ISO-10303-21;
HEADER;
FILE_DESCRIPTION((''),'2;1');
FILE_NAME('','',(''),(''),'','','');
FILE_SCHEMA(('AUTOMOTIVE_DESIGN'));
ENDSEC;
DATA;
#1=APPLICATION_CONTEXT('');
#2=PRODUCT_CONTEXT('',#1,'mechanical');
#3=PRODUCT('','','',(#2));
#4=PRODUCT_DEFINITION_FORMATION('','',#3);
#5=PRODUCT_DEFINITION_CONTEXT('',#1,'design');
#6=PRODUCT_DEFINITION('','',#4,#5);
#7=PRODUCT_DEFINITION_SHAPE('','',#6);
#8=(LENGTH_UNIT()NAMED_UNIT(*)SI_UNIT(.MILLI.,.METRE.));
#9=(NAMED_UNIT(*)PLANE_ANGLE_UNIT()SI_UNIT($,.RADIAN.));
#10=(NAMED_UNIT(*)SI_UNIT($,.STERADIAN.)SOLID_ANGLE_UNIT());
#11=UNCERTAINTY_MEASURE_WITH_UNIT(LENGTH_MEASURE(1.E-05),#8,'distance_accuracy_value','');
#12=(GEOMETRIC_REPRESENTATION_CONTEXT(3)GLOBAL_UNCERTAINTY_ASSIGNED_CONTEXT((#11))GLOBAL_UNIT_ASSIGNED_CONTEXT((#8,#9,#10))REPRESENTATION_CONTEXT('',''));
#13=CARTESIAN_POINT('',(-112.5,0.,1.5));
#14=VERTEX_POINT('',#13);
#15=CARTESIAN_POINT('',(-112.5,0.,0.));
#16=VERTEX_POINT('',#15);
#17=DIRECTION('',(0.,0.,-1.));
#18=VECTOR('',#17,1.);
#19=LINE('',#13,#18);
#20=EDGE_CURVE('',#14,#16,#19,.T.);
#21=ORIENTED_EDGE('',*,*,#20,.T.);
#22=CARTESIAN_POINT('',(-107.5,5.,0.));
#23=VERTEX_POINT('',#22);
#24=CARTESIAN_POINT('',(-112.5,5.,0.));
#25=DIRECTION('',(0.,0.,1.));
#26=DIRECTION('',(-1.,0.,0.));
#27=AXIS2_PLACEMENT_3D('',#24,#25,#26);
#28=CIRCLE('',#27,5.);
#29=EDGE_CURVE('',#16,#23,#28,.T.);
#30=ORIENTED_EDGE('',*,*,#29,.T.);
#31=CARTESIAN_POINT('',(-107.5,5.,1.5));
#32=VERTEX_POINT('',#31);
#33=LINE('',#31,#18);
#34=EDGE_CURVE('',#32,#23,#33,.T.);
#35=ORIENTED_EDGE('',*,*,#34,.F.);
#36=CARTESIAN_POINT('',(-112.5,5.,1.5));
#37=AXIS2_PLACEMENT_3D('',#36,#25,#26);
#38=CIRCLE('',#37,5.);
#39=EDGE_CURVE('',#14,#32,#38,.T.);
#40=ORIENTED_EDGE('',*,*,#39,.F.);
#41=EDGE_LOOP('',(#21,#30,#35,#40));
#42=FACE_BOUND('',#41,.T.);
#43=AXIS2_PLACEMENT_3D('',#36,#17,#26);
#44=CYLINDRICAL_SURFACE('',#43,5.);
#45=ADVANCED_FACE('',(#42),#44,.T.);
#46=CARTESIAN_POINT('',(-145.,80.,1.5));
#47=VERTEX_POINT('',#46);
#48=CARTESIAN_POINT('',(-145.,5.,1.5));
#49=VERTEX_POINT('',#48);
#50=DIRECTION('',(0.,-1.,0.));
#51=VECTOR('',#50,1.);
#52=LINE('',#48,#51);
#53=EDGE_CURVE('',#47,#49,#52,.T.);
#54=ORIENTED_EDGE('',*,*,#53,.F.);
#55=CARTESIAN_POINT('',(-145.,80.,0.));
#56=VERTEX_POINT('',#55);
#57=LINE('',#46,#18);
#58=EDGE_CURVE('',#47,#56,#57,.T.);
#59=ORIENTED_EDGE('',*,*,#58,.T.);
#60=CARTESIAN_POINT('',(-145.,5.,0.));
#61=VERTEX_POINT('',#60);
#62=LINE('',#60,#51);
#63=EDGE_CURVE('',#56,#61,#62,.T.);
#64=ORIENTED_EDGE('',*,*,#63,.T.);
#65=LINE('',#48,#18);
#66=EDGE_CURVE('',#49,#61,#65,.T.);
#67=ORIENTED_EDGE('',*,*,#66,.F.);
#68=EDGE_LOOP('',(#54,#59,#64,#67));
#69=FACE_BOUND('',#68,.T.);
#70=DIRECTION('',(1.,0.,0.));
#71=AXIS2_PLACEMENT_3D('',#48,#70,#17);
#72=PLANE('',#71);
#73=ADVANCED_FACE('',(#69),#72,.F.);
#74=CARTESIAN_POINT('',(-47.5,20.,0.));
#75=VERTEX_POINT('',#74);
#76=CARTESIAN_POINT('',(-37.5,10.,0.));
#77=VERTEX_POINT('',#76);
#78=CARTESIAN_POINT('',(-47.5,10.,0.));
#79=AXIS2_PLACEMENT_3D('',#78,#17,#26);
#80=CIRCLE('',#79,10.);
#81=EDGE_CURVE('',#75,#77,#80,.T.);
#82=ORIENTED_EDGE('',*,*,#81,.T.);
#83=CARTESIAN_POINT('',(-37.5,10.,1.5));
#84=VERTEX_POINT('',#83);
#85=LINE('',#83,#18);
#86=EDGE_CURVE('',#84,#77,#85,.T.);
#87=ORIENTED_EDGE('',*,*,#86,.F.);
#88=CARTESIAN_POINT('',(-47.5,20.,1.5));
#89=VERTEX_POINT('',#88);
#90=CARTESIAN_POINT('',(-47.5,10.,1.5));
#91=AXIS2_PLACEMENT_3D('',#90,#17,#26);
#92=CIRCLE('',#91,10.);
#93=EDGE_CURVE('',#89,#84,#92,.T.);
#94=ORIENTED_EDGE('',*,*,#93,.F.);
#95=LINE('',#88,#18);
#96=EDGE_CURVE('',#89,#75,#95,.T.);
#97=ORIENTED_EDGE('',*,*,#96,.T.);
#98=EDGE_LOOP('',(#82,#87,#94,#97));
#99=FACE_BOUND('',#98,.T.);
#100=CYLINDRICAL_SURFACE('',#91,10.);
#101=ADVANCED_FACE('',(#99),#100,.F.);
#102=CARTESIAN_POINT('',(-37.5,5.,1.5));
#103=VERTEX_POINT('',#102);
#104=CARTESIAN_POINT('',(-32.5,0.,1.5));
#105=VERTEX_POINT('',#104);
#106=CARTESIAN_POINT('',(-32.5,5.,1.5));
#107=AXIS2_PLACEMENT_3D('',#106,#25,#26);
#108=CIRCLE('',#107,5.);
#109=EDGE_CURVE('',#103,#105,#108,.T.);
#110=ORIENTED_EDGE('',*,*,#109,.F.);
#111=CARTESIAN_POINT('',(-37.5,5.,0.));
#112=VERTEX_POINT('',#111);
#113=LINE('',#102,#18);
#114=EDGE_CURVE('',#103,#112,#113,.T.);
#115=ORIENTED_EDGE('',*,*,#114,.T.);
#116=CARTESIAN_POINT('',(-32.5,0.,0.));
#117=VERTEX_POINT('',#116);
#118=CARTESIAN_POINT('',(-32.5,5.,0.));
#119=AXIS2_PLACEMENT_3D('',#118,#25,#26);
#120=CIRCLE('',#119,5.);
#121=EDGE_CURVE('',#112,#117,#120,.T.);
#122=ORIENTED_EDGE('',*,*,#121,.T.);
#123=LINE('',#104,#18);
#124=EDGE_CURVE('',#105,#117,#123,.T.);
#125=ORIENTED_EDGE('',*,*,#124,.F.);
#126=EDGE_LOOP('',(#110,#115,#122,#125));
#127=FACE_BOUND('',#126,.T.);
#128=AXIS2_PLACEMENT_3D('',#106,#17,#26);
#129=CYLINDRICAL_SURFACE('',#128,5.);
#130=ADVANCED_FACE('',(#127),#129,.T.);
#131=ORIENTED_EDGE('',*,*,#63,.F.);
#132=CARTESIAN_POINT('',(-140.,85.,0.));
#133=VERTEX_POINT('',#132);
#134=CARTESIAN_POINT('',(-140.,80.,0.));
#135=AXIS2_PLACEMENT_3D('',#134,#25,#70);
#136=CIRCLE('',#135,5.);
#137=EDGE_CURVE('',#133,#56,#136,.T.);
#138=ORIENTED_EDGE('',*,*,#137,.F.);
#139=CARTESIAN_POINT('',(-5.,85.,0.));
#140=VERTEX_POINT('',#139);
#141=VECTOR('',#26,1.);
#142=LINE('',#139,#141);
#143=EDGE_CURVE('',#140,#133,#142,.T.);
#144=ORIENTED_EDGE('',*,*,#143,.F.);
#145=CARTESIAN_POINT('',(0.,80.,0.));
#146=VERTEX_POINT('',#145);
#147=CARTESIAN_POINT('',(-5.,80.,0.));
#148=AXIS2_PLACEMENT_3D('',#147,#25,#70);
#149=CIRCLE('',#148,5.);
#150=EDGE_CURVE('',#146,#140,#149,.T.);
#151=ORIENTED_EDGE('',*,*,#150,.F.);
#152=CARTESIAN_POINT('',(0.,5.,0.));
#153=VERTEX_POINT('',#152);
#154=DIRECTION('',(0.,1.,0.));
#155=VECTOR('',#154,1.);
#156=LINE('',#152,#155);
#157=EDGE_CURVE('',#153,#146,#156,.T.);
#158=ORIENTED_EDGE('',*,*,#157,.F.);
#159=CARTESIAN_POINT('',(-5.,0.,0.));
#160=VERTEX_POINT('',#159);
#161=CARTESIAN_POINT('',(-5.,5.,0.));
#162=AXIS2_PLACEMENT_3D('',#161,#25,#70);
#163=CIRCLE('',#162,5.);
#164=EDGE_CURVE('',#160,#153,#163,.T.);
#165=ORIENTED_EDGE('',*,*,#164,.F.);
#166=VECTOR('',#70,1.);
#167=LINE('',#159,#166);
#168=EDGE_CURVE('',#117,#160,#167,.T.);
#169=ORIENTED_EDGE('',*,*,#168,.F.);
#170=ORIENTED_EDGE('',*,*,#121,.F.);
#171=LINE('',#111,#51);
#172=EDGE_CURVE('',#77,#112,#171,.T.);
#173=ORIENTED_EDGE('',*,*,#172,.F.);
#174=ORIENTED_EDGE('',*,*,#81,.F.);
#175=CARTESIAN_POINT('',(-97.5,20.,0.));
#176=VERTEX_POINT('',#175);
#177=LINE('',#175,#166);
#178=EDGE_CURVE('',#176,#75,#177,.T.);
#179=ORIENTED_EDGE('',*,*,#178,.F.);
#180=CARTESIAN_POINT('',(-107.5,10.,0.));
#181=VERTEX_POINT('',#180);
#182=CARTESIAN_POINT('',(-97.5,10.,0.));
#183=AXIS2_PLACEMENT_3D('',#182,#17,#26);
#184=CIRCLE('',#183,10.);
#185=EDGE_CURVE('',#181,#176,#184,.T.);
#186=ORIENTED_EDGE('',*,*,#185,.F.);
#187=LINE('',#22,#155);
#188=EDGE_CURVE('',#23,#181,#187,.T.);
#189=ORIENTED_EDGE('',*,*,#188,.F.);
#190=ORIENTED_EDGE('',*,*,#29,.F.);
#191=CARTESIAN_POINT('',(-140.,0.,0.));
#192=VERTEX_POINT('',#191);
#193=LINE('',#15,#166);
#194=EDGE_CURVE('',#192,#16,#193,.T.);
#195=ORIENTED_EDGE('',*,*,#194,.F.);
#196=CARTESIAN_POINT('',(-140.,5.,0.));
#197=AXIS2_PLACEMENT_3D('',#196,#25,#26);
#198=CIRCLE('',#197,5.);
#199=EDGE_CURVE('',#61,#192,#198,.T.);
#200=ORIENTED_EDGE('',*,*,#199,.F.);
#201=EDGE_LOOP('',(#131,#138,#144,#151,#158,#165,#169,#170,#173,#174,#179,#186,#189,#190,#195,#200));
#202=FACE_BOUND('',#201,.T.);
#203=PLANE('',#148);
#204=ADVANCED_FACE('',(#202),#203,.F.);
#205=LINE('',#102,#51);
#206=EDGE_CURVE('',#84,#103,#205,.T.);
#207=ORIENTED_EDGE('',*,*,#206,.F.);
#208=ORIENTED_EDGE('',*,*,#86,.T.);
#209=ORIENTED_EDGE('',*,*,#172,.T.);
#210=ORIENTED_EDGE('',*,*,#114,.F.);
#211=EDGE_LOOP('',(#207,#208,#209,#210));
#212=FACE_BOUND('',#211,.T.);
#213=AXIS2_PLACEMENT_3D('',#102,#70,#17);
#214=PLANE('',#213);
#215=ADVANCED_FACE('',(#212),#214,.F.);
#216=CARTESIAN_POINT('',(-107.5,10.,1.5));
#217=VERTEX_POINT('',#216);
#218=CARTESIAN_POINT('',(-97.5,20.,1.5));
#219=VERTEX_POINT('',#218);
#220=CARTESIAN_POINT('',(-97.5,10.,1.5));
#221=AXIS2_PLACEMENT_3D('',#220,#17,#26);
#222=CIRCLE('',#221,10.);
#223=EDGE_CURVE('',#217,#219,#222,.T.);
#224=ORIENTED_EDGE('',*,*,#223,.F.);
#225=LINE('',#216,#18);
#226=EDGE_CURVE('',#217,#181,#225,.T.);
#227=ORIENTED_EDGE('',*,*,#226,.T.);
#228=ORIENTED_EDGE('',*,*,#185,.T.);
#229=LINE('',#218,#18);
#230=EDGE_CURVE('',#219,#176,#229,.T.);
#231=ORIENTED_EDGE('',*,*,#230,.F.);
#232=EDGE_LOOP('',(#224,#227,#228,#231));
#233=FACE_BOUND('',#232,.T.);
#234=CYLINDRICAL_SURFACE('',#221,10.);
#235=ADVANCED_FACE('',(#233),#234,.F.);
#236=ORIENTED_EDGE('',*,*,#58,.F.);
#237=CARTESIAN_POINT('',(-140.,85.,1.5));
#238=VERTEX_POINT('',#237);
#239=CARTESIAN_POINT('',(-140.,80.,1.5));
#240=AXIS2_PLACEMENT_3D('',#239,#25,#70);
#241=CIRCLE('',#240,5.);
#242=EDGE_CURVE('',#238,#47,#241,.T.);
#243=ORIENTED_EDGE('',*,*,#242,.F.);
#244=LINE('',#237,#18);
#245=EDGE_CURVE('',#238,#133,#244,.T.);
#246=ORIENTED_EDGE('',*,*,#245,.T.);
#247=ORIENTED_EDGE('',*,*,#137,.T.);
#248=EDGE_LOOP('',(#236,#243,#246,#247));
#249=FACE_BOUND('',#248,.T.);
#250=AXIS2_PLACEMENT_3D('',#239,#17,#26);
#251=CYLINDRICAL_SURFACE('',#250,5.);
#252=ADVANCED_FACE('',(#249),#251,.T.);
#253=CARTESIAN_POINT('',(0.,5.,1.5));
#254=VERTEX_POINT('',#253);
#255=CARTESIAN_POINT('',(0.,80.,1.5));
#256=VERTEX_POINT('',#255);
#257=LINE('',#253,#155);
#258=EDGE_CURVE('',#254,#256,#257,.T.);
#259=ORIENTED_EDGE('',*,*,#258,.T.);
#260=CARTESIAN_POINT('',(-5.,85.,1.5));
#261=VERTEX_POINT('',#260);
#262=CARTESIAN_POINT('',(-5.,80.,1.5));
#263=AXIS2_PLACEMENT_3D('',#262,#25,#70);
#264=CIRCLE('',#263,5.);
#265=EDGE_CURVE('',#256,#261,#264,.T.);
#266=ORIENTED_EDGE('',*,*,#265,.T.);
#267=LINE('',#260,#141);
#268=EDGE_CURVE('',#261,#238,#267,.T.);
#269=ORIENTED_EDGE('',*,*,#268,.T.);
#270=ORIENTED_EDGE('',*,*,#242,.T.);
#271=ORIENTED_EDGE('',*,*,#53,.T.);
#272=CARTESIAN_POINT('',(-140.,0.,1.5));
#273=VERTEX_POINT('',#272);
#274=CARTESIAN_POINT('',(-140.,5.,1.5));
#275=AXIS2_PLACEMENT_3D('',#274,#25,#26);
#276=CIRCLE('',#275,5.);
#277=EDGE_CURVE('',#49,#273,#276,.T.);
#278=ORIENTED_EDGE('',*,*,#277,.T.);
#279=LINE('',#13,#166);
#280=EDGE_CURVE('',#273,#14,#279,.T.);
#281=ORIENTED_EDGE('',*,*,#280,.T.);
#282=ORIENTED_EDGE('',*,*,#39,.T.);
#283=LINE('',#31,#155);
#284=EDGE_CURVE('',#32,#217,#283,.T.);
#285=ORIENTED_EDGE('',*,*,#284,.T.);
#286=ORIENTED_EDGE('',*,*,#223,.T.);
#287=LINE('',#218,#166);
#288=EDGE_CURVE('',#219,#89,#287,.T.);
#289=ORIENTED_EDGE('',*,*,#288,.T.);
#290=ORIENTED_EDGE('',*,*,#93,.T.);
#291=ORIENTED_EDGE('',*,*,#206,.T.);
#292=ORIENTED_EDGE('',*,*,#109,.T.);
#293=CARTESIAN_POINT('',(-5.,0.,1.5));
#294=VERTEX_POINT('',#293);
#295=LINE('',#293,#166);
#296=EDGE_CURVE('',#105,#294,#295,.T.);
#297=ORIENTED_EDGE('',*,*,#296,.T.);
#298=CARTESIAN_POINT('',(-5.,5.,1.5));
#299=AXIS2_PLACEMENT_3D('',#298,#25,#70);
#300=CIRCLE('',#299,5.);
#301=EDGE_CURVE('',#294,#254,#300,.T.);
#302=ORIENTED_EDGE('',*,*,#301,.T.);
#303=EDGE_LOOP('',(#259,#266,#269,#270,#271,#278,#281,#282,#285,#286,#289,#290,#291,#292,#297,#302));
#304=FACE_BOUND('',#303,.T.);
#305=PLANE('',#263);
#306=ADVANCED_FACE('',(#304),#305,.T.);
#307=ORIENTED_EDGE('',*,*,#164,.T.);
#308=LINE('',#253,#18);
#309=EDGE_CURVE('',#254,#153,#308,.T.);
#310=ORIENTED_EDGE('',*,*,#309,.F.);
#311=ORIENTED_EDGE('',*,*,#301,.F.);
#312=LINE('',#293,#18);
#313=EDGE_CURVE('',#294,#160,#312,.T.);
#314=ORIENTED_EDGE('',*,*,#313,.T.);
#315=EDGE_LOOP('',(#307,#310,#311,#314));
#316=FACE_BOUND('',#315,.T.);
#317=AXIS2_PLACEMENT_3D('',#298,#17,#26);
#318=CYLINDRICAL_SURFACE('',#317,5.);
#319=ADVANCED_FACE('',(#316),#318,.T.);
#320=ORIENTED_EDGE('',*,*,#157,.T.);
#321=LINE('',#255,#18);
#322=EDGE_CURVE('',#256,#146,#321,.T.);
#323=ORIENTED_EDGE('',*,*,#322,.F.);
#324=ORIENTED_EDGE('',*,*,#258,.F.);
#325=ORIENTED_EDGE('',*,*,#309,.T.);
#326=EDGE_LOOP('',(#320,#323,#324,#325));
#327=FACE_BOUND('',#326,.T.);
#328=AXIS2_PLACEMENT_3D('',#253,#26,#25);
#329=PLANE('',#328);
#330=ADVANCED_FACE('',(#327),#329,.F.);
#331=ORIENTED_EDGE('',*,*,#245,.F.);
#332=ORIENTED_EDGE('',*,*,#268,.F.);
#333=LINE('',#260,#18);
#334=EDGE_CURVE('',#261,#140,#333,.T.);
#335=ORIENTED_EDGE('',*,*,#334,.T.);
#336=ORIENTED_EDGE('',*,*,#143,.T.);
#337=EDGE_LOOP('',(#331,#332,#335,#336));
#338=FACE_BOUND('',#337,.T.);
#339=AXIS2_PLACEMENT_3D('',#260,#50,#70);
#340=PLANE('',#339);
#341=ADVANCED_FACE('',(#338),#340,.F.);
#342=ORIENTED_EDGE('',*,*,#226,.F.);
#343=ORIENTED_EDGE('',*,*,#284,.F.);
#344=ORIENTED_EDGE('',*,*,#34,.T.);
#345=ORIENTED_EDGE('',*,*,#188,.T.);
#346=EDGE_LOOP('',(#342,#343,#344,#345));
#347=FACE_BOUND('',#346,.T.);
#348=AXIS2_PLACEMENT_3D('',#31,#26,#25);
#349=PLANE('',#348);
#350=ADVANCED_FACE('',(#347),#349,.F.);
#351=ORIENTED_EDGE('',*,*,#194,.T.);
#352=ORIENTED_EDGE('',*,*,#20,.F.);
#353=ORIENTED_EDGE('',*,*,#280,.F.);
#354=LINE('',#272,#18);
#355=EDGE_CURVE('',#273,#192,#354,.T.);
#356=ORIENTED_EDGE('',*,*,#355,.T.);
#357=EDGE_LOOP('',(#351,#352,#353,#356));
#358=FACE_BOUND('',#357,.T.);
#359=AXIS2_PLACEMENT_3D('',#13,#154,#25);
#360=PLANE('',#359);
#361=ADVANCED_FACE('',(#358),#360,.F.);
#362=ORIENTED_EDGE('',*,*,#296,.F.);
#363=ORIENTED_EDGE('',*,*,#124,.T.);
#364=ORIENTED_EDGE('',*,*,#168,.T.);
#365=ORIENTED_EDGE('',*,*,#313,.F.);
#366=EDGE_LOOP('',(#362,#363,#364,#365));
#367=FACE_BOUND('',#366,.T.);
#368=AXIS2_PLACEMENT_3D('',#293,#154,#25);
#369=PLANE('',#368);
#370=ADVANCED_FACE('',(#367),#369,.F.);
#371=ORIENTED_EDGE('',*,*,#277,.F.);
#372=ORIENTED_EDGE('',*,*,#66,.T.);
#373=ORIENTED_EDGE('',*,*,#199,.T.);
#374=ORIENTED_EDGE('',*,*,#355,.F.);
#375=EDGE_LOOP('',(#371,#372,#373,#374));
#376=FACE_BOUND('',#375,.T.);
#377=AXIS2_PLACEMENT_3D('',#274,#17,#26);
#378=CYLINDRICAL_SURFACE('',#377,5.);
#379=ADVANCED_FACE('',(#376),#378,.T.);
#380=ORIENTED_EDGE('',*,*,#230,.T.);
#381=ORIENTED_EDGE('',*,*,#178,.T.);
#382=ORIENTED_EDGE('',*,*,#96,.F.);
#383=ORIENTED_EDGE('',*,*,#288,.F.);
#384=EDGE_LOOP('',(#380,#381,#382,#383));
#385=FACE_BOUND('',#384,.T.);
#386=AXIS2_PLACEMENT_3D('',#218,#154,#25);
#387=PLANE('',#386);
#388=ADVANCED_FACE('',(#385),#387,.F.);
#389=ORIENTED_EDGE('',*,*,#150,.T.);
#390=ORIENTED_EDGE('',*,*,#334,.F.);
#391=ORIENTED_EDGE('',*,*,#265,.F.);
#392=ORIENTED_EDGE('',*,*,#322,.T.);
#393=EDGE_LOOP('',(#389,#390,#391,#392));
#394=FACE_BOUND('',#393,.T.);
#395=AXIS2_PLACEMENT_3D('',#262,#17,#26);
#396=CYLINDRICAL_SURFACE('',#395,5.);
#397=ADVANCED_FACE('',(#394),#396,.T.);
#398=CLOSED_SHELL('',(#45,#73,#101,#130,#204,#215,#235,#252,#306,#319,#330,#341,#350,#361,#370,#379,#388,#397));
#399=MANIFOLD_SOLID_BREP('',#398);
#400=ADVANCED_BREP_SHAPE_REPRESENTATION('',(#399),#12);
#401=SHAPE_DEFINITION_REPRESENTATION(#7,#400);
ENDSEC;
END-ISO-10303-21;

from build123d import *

# Parameters (mm, degrees)
EXTRUDE_1_DEPTH = 1.5


with BuildPart() as part:
    # Эскиз1 → Бобышка-Вытянуть1 (new body)
    with BuildSketch(Plane.XY):
        with BuildLine():
            Line((-5, 0), (-32.5, 0))
            ThreePointArc((-32.5, 0), (-36.035533906, 1.464466094), (-37.5, 5))
            Line((-37.5, 5), (-37.5, 10))
            ThreePointArc((-37.5, 10), (-40.428932188, 17.071067812), (-47.5, 20))
            Line((-47.5, 20), (-97.5, 20))
            ThreePointArc((-97.5, 20), (-104.571067812, 17.071067812), (-107.5, 10))
            Line((-107.5, 10), (-107.5, 5))
            ThreePointArc((-107.5, 5), (-108.964466094, 1.464466094), (-112.5, 0))
            Line((-112.5, 0), (-140, 0))
            ThreePointArc((-140, 0), (-143.535533906, 1.464466094), (-145, 5))
            Line((-145, 5), (-145, 80))
            ThreePointArc((-145, 80), (-143.535533906, 83.535533906), (-140, 85))
            Line((-140, 85), (-5, 85))
            ThreePointArc((-5, 85), (-1.464466094, 83.535533906), (0, 80))
            Line((0, 80), (0, 5))
            ThreePointArc((0, 5), (-1.464466094, 1.464466094), (-5, 0))
        make_face()
    extrude(amount=EXTRUDE_1_DEPTH)


solid = part.part
